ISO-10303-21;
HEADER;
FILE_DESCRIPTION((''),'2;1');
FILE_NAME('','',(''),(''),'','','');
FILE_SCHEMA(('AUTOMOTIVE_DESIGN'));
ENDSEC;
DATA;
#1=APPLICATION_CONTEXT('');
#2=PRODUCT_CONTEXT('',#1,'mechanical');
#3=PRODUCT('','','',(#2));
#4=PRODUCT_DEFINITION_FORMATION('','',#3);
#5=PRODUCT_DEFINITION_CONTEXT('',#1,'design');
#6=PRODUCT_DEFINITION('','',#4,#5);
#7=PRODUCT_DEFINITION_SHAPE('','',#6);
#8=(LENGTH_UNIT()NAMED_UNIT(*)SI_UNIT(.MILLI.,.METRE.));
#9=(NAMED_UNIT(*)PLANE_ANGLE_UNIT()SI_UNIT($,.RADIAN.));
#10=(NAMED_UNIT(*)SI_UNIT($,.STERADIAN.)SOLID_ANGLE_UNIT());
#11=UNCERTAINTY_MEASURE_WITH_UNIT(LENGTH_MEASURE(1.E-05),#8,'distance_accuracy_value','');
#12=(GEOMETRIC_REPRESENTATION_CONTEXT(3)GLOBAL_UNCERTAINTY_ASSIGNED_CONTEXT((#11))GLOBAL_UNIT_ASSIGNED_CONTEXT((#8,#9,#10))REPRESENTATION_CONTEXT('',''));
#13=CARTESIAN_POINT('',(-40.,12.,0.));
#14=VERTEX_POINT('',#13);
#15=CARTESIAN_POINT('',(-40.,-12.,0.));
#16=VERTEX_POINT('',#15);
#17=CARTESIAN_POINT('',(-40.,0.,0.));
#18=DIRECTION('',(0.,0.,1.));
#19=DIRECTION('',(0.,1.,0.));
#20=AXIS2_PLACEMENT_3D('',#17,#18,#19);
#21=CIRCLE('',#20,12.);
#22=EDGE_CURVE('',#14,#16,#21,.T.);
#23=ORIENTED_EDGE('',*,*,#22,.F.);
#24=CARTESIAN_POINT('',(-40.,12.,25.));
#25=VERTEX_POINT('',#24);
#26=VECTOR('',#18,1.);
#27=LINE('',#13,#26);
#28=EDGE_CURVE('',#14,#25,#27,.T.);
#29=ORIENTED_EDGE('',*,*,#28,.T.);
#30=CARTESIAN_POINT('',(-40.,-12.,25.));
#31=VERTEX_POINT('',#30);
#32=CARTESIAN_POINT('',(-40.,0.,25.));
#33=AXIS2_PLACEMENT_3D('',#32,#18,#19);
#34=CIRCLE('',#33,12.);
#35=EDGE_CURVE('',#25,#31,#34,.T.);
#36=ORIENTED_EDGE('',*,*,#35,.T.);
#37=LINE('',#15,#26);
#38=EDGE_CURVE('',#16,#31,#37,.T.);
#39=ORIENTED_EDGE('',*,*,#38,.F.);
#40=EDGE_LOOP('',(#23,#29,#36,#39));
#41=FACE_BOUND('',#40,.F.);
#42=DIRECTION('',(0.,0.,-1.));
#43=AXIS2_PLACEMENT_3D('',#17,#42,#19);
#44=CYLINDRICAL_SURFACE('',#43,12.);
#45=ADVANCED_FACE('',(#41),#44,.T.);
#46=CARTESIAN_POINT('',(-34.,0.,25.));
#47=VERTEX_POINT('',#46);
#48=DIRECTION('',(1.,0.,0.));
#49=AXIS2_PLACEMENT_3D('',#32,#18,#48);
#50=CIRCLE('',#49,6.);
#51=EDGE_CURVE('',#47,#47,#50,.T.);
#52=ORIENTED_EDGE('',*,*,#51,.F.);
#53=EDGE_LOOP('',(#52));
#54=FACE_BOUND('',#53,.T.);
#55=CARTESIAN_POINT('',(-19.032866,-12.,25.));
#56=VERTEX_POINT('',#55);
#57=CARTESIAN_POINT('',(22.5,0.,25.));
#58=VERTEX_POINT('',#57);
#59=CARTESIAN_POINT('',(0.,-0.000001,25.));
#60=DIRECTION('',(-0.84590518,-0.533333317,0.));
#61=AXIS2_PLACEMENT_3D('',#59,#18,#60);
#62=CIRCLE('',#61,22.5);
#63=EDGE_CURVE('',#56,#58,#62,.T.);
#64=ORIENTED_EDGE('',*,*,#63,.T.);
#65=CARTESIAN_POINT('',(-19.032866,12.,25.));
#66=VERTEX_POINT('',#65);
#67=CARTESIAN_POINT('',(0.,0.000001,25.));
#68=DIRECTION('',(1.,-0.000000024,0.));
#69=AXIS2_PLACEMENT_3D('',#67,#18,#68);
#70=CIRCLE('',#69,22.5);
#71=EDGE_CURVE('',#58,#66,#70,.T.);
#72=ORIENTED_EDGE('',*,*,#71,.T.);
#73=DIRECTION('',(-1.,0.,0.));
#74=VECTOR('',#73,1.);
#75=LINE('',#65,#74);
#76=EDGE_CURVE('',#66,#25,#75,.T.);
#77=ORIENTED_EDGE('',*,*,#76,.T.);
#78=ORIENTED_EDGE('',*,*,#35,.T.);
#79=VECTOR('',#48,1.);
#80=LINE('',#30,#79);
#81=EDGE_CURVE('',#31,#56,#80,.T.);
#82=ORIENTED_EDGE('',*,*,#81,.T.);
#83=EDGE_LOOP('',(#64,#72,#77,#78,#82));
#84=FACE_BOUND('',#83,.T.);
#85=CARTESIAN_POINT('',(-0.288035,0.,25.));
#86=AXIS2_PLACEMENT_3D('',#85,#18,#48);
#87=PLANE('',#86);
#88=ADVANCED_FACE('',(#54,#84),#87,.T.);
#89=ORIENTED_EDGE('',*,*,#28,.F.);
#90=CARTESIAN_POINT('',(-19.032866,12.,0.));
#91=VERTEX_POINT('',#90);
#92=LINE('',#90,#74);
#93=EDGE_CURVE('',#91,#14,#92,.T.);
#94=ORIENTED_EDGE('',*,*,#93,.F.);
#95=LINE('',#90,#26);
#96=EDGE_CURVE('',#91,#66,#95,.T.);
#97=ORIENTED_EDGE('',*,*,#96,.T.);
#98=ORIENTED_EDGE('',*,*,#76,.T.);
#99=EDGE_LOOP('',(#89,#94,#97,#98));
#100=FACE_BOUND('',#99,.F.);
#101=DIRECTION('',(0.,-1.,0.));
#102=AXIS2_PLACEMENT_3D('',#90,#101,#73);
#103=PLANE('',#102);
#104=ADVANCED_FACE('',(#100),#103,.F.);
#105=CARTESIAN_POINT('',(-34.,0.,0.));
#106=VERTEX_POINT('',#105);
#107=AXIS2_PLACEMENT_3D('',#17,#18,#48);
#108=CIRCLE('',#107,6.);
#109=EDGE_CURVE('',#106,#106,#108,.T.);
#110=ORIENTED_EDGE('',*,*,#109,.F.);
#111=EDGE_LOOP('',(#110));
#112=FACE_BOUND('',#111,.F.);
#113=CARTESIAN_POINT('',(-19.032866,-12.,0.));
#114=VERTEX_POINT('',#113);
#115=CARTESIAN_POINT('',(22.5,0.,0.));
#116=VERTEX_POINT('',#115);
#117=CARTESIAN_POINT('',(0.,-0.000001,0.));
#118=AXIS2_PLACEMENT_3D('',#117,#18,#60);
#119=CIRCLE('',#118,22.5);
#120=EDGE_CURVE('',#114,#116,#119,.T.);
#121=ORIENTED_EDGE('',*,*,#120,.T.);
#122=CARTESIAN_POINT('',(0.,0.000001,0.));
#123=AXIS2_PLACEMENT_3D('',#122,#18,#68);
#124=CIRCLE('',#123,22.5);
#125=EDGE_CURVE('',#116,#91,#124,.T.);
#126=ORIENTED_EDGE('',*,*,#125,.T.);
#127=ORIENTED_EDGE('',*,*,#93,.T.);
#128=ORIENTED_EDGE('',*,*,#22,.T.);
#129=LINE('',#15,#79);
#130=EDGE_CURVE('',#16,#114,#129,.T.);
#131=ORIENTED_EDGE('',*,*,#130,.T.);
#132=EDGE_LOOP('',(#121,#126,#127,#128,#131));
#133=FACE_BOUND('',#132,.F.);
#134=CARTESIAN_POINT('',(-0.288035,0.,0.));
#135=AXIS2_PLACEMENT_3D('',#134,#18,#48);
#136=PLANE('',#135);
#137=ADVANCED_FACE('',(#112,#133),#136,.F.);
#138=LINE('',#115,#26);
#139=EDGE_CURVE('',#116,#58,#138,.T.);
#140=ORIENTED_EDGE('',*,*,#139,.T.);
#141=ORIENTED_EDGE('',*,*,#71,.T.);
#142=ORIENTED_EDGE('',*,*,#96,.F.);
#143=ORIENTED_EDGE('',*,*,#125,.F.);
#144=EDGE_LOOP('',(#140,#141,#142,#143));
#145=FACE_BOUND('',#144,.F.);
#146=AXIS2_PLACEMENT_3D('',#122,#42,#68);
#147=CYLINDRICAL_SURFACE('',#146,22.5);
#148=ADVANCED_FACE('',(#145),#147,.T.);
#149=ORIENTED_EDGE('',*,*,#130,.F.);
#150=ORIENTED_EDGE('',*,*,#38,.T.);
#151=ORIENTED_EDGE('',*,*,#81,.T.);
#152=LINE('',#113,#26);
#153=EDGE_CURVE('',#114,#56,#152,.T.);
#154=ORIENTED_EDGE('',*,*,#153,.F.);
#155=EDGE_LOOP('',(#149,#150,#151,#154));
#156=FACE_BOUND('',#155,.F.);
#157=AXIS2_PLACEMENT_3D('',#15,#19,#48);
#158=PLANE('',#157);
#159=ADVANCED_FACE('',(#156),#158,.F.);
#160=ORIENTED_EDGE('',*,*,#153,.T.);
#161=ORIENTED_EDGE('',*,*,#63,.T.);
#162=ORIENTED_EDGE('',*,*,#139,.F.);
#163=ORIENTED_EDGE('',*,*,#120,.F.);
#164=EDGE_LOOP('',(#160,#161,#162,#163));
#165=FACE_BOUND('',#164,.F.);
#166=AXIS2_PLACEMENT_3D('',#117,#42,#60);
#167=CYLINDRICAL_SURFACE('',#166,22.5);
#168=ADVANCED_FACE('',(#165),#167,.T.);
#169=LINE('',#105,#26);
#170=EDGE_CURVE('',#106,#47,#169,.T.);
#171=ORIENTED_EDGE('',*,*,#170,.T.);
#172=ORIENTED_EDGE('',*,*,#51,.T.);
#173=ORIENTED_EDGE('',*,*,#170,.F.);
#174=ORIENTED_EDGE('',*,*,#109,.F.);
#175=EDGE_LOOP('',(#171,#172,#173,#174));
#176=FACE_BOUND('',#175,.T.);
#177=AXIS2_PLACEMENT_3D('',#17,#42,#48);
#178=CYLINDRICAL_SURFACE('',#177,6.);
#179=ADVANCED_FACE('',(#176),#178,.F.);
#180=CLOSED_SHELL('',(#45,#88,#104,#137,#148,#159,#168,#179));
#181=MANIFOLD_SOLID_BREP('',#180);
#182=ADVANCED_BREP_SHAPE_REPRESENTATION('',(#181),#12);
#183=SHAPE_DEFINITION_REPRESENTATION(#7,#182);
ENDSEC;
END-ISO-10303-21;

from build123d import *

# Parameters (mm, degrees)
F0_R     = 6
F1_DEPTH = 25


with BuildPart() as f1:
    # F0 (on Top) → F1 (new body)
    with BuildSketch(Plane.XY):
        with BuildLine():
            ThreePointArc((-19.032866, -12), (6.245419, -21.615845), (22.5, 0))
            ThreePointArc((22.5, 0), (6.245419, 21.615845), (-19.032866, 12))
            ThreePointArc((-19.032866, 12), (-22.5, 0), (-19.032866, -12))
        make_face()
        with BuildLine():
            ThreePointArc((-19.032866, -12), (-22.5, 0), (-19.032866, 12))
            Line((-19.032866, 12), (-40, 12))
            ThreePointArc((-40, 12), (-52, 0), (-40, -12))
            Line((-40, -12), (-19.032866, -12))
        make_face()
        with Locations((-40, 0)):
            Circle(F0_R, mode=Mode.SUBTRACT)
    extrude(amount=F1_DEPTH)


solid = f1.part
